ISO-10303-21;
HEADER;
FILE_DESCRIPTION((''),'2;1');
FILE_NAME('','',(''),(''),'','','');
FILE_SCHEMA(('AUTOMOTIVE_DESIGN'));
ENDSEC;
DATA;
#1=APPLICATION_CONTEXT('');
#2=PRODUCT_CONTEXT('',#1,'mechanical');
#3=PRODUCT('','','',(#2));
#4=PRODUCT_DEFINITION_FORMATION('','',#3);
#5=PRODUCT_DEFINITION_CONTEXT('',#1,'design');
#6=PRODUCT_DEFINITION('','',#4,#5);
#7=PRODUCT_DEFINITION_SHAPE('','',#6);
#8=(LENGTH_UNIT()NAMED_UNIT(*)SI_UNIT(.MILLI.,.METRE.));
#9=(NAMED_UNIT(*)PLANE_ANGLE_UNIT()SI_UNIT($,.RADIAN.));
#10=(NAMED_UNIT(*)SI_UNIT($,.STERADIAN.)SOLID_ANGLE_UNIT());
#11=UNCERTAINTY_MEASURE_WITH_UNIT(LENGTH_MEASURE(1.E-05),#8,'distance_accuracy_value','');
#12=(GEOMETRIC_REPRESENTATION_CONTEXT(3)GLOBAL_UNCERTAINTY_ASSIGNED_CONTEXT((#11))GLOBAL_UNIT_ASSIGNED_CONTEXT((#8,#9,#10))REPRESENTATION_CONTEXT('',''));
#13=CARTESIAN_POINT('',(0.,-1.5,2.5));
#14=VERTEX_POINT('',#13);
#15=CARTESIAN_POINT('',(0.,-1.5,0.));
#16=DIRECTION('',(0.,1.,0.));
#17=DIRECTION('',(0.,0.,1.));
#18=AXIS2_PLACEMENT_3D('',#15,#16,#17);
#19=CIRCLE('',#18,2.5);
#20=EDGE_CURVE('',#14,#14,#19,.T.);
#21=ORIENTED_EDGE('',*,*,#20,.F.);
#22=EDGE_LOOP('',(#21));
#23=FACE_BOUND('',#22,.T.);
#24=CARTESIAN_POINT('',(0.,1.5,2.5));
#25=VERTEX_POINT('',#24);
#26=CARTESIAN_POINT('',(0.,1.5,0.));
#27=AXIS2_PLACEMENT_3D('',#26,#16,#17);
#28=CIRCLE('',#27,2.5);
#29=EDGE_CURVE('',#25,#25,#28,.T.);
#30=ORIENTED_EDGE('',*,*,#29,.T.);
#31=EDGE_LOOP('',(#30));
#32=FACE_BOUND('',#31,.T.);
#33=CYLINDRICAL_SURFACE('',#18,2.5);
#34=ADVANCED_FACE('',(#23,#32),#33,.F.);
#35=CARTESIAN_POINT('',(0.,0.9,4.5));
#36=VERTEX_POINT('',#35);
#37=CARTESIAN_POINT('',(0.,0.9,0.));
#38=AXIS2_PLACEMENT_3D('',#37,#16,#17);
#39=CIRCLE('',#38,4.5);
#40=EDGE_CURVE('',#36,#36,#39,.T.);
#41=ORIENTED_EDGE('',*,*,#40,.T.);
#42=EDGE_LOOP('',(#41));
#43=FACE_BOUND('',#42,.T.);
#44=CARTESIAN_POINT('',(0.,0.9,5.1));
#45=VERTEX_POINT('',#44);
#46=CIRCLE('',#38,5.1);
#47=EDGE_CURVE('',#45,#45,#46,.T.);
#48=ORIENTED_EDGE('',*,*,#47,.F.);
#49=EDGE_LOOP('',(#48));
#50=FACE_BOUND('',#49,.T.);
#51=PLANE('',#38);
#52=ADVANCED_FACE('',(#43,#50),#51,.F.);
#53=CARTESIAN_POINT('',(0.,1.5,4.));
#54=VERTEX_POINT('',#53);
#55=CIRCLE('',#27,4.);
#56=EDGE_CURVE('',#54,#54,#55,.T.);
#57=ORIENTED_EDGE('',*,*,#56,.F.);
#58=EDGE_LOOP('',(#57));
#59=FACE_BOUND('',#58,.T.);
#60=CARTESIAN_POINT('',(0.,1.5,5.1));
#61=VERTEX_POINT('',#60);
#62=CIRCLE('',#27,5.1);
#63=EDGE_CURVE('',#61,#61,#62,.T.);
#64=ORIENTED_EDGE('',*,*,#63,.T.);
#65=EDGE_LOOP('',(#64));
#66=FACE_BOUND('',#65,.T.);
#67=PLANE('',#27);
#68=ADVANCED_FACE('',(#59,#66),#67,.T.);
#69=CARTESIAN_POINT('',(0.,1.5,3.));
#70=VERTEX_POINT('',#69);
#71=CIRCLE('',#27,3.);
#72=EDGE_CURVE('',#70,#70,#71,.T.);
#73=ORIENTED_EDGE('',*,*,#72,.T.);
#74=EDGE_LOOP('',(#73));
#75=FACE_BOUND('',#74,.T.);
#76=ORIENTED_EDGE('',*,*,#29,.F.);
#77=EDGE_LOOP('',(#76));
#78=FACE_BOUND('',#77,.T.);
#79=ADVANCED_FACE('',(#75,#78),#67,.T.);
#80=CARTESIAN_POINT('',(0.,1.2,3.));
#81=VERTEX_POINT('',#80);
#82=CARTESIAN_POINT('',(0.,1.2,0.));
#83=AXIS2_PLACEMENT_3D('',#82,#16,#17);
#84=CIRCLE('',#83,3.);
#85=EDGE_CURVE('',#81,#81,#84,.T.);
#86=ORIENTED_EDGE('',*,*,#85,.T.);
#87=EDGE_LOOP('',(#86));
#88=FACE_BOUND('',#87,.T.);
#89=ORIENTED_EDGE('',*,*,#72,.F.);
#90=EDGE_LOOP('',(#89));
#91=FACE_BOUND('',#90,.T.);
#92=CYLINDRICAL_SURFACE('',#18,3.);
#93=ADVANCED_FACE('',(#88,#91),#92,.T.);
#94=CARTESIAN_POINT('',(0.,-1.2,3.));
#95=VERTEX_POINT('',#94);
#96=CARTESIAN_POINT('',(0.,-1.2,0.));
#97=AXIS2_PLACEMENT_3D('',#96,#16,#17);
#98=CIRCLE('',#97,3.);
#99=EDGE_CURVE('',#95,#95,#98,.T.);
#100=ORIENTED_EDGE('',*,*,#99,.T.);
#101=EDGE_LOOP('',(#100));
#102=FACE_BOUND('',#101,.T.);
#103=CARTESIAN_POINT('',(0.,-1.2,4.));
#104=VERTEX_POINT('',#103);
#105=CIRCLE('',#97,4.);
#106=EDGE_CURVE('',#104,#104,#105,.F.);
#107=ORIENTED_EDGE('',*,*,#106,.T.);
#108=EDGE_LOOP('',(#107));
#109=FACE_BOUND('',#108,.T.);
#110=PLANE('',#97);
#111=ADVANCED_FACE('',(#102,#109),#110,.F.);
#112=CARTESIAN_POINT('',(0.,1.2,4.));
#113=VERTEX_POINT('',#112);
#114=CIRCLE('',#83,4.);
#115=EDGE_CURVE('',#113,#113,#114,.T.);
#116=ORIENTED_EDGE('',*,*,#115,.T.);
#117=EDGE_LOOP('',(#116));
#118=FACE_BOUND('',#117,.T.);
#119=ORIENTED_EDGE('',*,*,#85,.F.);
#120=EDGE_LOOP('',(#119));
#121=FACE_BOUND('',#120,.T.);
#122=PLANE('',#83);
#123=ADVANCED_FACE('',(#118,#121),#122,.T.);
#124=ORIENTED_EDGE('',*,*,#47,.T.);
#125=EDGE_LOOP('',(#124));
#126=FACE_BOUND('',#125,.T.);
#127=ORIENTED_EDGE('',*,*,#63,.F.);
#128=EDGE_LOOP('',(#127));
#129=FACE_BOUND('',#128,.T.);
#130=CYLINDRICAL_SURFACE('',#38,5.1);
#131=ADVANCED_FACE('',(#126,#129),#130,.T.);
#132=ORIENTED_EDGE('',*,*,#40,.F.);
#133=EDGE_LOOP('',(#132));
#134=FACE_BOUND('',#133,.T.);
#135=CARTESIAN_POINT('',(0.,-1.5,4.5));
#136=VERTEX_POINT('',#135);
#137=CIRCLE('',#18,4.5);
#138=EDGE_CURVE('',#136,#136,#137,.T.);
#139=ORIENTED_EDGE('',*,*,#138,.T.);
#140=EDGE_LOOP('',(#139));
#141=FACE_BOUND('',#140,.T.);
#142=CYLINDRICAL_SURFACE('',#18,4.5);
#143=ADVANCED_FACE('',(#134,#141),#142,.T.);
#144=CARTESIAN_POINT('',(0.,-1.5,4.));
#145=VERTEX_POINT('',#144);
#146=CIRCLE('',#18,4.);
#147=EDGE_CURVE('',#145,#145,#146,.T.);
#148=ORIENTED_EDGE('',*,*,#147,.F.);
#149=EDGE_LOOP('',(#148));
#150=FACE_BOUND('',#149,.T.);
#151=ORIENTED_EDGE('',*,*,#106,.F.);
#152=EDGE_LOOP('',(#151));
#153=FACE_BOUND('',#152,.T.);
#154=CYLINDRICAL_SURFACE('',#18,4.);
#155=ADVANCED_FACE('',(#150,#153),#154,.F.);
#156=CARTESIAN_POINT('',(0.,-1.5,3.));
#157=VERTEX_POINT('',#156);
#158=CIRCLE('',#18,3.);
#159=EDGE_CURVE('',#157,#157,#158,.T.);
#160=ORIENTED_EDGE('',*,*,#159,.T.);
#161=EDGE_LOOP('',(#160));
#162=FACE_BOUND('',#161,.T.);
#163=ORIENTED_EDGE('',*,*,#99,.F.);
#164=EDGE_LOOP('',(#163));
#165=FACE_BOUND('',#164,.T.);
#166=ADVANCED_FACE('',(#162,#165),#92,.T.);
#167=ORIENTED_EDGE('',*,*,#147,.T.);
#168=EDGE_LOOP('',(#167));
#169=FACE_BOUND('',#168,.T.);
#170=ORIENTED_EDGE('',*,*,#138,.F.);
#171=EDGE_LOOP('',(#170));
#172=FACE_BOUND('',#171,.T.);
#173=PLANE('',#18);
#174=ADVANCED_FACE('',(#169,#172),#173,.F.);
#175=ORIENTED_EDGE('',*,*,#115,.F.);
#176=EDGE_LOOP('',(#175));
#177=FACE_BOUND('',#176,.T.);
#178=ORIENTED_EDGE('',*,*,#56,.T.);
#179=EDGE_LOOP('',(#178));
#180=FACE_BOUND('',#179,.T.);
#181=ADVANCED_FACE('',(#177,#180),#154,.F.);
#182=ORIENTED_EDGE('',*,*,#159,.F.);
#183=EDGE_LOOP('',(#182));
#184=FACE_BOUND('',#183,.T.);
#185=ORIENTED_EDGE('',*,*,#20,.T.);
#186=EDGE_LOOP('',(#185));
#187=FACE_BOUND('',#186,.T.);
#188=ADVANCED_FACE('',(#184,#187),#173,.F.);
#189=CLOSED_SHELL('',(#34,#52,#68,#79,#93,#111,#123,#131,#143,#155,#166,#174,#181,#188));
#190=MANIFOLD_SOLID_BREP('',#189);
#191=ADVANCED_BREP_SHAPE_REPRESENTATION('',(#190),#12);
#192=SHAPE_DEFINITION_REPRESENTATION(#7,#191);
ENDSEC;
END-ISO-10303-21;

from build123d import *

# Parameters (mm, degrees)
EXTRUDE_1_DEPTH        = 1.5
EXTRUDE_1_DEPTH_BACK   = 1.5
SKETCH_1_R             = 3
SKETCH_1_R_2           = 2.5
EXTRUDE_1_2_DEPTH      = 1.5
EXTRUDE_1_2_DEPTH_BACK = 1.5
SKETCH_1_R_3           = 4.5
SKETCH_1_R_4           = 4
EXTRUDE_2_DEPTH        = 1.2
EXTRUDE_2_DEPTH_BACK   = 1.2
SKETCH_2_R             = 4
SKETCH_2_R_2           = 3
SKETCH_3_R             = 5.1
SKETCH_3_R_2           = 4.5
EXTRUDE_3_DEPTH        = 0.6


with BuildPart() as part:
    # 草图1 → 凸台-拉伸1 (new, two sides: drawn at the far end of the back side and taken through both)
    with BuildSketch(Plane(origin=(0, 0, 0), x_dir=(1, 0, 0), z_dir=(0, 1, 0)).offset(-EXTRUDE_1_DEPTH_BACK)):
        Circle(SKETCH_1_R)
        Circle(SKETCH_1_R_2, mode=Mode.SUBTRACT)
    extrude(amount=EXTRUDE_1_DEPTH + EXTRUDE_1_DEPTH_BACK)



with BuildPart() as body_2:
    # 草图1 → Extrude 1 2 (new, two sides: drawn at the far end of the back side and taken through both)
    with BuildSketch(Plane(origin=(0, 0, 0), x_dir=(1, 0, 0), z_dir=(0, 1, 0)).offset(-EXTRUDE_1_2_DEPTH_BACK)):
        Circle(SKETCH_1_R_3)
        Circle(SKETCH_1_R_4, mode=Mode.SUBTRACT)
    extrude(amount=EXTRUDE_1_2_DEPTH + EXTRUDE_1_2_DEPTH_BACK)


with BuildPart() as part_1:
    add(part.part)

    add(body_2.part)  # 凸台-拉伸2 merges body 2
    # 草图2 → 凸台-拉伸2 (add, two sides: drawn at the far end of the back side and taken through both)
    with BuildSketch(Plane(origin=(0, 0, 0), x_dir=(1, 0, 0), z_dir=(0, 1, 0)).offset(-EXTRUDE_2_DEPTH_BACK)):
        Circle(SKETCH_2_R)
        Circle(SKETCH_2_R_2, mode=Mode.SUBTRACT)
    extrude(amount=EXTRUDE_2_DEPTH + EXTRUDE_2_DEPTH_BACK)

    # 草图3 → 凸台-拉伸3 (add)
    with BuildSketch(Plane(origin=(0, 1.5, 0), x_dir=(1, 0, 0), z_dir=(0, 1, 0))):
        Circle(SKETCH_3_R)
        Circle(SKETCH_3_R_2, mode=Mode.SUBTRACT)
    extrude(amount=-EXTRUDE_3_DEPTH)


solid = part_1.part
